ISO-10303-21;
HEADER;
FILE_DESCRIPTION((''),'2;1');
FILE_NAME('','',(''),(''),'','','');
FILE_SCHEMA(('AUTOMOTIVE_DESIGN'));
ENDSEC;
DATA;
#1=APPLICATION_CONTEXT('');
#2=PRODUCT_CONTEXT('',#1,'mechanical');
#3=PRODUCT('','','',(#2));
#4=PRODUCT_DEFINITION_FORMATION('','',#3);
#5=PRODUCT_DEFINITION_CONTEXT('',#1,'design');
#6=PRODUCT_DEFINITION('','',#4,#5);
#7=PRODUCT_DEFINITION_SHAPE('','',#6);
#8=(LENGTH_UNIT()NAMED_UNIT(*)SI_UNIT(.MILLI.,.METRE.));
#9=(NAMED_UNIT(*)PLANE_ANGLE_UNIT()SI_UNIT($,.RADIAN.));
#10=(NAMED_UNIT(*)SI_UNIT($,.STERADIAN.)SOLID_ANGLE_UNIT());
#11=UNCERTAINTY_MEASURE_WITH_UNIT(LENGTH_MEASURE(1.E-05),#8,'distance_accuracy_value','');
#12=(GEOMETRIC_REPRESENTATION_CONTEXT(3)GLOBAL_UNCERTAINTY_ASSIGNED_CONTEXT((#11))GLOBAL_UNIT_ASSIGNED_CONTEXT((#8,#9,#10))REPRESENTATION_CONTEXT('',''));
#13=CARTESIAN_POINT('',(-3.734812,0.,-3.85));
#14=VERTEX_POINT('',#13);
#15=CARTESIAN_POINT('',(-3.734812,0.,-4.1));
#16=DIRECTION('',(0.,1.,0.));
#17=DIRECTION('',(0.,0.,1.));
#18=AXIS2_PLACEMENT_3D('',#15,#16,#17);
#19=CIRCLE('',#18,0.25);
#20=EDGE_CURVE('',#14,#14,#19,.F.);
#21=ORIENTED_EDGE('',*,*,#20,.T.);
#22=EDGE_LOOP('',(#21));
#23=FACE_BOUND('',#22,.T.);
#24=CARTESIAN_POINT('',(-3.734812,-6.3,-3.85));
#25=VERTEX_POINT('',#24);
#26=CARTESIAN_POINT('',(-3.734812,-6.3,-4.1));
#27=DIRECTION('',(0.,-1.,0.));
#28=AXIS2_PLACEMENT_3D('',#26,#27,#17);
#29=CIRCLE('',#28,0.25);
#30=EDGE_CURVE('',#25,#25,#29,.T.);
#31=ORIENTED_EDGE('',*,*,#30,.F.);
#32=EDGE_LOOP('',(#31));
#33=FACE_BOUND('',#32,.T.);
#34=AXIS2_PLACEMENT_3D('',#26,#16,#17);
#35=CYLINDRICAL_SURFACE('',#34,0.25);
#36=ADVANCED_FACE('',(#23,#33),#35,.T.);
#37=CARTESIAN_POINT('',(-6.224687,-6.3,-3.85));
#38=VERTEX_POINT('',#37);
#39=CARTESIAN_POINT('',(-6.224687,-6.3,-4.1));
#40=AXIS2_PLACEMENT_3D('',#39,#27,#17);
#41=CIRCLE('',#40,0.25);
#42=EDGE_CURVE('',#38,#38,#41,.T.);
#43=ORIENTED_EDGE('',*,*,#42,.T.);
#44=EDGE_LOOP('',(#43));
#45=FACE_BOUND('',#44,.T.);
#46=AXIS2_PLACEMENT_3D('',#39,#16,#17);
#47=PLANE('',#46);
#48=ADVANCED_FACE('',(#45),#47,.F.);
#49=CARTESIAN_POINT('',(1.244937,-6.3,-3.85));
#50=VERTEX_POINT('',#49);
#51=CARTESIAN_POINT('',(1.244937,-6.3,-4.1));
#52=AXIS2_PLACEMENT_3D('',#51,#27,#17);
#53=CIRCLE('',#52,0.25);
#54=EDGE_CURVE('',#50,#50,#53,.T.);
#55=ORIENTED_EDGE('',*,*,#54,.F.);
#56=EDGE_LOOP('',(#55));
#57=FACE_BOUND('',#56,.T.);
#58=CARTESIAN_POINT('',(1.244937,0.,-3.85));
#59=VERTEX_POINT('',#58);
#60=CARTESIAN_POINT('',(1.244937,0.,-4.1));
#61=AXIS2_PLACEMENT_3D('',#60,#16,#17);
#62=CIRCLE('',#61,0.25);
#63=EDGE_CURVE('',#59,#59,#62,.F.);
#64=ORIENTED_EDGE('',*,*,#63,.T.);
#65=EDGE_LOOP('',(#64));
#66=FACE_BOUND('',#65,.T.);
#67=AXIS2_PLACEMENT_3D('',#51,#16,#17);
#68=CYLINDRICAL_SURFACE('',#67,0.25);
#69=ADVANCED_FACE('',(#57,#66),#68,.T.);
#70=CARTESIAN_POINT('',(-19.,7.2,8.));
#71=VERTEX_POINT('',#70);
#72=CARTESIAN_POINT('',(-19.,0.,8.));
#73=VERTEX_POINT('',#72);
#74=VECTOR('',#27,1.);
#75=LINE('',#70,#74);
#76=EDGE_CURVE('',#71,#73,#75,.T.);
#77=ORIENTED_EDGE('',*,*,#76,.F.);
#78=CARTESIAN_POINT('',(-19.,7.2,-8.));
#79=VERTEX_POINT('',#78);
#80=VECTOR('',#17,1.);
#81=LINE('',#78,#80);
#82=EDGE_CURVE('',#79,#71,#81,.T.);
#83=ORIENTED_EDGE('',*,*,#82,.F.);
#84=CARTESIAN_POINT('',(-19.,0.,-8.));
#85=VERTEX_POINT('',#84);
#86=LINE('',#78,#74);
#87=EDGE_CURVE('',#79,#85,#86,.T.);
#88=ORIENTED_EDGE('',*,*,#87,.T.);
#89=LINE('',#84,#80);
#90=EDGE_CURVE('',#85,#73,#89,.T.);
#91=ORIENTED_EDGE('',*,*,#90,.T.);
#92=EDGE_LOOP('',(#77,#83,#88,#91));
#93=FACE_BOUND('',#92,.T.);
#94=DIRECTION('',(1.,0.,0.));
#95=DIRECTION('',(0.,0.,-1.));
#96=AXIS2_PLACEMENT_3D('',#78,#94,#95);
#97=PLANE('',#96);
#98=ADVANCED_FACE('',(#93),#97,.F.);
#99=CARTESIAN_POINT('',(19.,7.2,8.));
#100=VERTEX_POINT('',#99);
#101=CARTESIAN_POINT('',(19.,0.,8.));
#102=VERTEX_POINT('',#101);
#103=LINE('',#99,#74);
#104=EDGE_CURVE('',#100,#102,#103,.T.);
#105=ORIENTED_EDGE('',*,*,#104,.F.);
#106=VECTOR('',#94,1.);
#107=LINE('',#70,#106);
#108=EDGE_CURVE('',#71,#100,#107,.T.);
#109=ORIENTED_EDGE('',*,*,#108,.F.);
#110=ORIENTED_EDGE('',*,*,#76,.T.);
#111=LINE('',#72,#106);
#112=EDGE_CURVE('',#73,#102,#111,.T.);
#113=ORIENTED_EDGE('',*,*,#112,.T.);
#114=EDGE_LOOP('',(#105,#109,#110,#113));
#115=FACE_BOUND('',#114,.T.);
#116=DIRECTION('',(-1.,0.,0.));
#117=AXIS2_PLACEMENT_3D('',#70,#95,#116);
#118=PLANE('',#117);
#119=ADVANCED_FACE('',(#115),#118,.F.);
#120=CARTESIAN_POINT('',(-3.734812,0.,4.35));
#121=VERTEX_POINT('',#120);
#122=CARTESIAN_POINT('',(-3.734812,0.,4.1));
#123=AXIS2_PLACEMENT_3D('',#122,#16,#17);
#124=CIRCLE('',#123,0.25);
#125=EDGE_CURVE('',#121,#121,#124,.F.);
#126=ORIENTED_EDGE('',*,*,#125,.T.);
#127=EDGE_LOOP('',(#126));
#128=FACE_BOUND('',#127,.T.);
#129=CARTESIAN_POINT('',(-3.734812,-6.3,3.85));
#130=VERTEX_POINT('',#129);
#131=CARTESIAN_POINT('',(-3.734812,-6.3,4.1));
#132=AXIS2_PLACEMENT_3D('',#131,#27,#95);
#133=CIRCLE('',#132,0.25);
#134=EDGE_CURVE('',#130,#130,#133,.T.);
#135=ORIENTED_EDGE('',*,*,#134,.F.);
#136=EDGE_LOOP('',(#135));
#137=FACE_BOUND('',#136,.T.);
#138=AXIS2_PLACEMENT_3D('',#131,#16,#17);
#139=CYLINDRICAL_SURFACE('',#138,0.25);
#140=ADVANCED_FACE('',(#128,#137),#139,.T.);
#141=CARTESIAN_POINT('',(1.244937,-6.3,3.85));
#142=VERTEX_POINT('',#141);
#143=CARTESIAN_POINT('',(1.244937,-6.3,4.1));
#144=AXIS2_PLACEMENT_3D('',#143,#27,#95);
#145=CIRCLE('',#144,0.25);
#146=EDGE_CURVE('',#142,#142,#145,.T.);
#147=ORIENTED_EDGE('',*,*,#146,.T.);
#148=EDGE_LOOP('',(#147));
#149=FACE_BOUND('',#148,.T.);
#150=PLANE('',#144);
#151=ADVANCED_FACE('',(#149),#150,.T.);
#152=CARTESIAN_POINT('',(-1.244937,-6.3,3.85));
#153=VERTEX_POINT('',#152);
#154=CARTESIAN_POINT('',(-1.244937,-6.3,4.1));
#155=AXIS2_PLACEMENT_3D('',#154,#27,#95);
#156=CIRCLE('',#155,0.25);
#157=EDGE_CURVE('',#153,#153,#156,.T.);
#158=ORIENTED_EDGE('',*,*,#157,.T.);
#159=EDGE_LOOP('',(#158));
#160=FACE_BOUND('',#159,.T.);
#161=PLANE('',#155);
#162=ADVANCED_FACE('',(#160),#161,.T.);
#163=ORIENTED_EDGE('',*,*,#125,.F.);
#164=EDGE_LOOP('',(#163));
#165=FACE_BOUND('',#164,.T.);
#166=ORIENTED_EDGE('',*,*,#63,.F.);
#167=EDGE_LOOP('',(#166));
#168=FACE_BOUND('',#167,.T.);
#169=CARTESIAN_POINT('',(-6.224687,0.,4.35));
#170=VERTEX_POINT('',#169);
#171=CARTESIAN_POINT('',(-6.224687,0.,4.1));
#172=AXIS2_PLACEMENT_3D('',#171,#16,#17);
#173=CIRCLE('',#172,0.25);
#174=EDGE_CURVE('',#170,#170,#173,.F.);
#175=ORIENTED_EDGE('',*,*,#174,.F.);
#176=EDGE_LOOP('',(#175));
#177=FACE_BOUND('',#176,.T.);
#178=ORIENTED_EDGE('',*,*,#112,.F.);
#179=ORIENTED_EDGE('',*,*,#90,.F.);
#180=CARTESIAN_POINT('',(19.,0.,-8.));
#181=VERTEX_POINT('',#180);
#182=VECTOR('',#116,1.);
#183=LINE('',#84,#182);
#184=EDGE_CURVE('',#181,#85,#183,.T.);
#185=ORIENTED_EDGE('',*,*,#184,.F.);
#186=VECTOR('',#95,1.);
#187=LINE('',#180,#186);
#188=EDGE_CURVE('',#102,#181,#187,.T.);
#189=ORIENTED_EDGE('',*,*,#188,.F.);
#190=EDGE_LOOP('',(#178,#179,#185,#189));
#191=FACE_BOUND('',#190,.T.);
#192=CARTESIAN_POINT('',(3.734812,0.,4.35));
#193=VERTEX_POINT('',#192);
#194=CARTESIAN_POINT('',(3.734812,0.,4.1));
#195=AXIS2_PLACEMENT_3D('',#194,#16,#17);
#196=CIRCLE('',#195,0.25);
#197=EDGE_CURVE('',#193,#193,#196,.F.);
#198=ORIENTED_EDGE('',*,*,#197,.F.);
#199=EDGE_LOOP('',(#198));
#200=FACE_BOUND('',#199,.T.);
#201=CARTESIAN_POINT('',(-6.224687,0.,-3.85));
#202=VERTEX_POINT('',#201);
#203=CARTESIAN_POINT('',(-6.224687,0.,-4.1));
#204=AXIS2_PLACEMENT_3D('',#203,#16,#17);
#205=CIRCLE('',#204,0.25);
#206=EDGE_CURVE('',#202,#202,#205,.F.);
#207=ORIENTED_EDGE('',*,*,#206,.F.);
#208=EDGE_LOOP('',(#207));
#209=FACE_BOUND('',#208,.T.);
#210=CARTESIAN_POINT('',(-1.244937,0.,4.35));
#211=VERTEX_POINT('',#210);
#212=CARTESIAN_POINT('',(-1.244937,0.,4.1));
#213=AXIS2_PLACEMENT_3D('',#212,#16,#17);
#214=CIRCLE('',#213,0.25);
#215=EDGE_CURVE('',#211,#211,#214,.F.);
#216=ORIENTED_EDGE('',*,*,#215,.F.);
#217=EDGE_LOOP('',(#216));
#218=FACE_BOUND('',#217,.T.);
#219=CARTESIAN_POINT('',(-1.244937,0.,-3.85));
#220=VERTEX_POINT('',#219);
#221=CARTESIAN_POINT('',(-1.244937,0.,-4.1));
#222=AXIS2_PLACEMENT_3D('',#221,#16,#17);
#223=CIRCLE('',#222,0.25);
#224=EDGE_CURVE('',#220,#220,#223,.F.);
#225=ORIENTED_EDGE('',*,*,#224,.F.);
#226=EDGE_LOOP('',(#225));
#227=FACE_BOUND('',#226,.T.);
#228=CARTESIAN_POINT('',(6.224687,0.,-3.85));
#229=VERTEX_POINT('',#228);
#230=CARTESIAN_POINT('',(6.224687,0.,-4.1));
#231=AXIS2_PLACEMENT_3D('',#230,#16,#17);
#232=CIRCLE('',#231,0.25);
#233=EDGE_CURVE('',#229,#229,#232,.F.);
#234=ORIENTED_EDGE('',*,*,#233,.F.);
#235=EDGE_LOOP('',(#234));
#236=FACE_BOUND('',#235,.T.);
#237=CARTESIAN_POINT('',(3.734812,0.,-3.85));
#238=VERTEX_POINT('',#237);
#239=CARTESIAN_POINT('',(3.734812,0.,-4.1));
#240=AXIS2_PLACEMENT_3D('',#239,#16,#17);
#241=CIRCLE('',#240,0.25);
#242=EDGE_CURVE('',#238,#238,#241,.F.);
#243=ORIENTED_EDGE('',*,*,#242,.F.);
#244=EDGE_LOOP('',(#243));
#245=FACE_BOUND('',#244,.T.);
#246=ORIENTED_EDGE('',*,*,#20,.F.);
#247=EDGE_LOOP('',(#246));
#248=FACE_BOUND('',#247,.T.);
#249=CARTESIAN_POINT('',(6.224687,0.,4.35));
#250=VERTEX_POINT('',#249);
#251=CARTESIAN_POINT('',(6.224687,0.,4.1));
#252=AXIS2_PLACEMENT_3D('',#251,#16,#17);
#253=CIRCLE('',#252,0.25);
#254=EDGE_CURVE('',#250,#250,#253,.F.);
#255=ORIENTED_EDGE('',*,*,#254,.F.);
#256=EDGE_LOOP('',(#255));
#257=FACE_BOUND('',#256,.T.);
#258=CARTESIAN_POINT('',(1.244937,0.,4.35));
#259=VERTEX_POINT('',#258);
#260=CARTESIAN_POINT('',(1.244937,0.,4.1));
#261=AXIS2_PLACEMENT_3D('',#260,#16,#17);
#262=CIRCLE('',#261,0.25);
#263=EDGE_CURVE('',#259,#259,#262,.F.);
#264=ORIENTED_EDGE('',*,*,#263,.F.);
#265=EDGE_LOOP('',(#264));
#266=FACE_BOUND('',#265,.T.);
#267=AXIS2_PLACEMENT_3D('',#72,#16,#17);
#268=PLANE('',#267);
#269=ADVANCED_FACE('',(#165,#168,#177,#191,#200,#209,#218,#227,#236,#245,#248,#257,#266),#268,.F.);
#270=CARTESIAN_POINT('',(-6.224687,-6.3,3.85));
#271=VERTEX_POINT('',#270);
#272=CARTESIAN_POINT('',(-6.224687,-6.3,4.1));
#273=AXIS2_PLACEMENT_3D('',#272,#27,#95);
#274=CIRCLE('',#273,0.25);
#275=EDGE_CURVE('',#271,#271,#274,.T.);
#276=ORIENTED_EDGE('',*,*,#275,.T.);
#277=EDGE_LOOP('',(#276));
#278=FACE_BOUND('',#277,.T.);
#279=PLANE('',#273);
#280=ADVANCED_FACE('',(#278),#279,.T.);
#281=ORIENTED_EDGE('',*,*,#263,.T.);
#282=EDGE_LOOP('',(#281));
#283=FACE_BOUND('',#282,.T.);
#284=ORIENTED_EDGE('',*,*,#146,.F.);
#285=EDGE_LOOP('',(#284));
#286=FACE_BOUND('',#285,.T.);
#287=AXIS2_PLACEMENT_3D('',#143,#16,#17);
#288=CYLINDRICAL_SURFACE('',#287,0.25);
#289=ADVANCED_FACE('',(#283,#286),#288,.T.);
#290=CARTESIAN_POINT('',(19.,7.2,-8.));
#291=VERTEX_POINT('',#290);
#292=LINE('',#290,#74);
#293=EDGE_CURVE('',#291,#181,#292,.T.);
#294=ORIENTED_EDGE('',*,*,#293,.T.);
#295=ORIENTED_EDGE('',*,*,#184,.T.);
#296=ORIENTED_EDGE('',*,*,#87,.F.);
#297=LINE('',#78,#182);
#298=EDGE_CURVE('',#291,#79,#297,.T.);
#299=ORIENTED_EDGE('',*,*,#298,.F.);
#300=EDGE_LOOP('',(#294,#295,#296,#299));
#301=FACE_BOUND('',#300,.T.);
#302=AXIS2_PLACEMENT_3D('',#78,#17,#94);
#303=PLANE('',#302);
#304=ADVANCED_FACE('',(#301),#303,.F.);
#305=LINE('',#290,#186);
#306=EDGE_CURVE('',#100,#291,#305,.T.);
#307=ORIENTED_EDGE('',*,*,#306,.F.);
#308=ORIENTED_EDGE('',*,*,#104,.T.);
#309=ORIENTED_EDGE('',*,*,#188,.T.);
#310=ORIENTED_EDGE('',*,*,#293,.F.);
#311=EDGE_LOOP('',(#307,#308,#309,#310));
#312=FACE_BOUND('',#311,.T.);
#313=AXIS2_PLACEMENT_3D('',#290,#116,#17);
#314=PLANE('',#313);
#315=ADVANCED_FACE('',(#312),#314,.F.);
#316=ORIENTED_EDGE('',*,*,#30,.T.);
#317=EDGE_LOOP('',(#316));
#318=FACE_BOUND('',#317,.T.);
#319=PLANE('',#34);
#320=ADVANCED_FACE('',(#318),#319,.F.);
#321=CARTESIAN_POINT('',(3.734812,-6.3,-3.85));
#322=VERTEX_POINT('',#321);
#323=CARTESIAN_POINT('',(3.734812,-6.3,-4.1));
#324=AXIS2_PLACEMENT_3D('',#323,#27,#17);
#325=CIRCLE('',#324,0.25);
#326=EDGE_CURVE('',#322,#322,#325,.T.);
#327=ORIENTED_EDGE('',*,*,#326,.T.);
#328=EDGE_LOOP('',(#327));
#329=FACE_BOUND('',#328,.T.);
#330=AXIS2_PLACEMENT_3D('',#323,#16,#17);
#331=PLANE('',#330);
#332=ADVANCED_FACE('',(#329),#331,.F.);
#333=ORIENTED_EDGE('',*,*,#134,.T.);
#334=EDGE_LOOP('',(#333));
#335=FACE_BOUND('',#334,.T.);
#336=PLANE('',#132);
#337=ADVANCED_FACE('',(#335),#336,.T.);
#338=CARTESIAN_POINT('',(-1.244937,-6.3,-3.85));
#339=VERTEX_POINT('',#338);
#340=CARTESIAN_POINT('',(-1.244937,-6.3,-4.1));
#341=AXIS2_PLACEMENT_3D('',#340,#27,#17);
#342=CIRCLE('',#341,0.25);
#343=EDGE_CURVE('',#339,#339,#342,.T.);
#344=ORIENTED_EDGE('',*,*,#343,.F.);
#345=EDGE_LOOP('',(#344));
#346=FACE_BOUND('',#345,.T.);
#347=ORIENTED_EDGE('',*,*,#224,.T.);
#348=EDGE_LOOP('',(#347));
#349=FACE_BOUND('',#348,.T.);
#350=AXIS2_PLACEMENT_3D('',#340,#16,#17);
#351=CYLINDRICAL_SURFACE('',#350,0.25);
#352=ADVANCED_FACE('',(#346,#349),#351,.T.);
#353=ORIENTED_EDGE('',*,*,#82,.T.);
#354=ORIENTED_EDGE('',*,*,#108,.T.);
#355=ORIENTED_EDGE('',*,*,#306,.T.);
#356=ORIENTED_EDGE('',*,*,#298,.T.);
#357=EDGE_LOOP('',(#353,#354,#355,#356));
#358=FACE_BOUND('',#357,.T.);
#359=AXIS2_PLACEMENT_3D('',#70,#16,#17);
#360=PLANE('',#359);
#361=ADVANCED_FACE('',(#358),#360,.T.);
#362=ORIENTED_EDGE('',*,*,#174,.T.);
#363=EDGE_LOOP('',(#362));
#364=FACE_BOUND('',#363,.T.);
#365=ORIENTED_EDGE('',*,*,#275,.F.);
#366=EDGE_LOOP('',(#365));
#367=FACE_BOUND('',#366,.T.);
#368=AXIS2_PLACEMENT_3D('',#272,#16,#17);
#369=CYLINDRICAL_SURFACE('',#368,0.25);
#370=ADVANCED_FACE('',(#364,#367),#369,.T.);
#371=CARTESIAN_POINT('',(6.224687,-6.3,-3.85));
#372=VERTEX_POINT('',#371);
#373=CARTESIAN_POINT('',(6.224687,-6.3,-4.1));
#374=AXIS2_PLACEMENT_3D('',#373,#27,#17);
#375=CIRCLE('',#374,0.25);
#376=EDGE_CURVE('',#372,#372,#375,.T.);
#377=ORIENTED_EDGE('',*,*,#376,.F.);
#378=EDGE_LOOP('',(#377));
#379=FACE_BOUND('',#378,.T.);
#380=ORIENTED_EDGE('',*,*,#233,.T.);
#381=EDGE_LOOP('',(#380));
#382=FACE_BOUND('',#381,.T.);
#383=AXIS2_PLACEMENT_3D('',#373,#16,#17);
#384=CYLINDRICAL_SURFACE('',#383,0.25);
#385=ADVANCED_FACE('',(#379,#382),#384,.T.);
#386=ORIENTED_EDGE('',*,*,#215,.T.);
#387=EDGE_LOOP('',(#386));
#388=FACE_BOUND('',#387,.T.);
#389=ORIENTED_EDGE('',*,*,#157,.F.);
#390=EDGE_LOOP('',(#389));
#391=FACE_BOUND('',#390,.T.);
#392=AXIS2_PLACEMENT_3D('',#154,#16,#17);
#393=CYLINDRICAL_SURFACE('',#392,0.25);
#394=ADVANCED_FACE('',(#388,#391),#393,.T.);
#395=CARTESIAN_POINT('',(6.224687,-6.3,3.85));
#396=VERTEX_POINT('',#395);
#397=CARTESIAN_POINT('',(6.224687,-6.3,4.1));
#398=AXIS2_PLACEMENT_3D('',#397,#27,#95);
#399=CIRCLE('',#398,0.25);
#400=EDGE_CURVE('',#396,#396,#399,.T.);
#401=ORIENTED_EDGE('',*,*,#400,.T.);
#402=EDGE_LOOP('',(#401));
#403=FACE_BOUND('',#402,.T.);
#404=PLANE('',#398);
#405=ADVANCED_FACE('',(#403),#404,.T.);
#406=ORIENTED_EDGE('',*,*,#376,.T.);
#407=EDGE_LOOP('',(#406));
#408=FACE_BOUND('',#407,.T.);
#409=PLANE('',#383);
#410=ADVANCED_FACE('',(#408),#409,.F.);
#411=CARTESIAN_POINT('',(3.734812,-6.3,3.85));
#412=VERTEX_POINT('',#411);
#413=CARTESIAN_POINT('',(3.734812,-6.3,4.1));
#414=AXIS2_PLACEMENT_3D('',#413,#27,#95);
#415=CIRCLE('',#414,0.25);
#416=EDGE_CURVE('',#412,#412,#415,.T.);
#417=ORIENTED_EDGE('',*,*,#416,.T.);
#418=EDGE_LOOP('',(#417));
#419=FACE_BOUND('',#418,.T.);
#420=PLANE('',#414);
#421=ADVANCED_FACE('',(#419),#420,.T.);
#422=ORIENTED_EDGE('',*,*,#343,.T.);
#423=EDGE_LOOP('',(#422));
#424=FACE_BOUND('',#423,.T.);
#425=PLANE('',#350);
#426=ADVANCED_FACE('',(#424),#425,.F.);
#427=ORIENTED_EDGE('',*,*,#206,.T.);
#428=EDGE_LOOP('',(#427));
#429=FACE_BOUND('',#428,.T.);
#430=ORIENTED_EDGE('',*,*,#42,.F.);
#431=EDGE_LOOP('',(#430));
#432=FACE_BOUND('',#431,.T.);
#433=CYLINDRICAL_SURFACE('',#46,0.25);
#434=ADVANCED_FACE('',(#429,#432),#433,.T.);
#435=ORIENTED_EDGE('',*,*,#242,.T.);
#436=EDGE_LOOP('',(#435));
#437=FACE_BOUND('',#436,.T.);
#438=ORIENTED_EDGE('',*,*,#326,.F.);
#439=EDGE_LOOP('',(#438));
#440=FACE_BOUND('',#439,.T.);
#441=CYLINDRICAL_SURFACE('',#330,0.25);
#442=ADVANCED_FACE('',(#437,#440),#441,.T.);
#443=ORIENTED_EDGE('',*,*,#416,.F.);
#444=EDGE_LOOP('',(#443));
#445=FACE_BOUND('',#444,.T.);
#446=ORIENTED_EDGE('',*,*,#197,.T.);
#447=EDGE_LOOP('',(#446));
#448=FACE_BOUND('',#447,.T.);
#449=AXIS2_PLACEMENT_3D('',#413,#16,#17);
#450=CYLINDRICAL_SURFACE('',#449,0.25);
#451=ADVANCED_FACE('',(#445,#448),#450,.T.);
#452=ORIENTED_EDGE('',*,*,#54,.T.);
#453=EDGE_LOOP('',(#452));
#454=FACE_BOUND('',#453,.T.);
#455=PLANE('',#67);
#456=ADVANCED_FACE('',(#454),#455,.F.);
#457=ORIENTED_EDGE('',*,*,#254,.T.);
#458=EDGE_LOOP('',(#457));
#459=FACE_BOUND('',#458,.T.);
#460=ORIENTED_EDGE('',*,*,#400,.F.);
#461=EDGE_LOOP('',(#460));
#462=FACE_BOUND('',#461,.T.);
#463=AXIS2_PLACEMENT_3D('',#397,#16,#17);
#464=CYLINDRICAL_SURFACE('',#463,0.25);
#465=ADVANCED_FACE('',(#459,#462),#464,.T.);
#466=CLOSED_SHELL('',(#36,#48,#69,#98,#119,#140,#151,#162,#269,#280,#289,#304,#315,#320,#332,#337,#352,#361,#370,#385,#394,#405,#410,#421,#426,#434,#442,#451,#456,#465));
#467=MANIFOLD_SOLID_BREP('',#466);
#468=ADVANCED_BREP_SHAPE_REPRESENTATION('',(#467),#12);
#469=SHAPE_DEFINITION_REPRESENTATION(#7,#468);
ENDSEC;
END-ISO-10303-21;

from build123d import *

# Parameters (mm, degrees)
SKETCH_1_W      = 38
SKETCH_1_H      = 16
EXTRUDE_1_DEPTH = 7.2
SKETCH_2_R      = 0.25
EXTRUDE_2_DEPTH = 6.3


with BuildPart() as part:
    # 草图1 → 拉伸1 (new body)
    with BuildSketch(Plane(origin=(0, 0, 0), x_dir=(1, 0, 0), z_dir=(0, 1, 0))):
        Rectangle(SKETCH_1_W, SKETCH_1_H)
    extrude(amount=EXTRUDE_1_DEPTH)

    # 草图2 → 拉伸2 (add)
    with BuildSketch(Plane.XZ):
        with Locations(Location((6.224686657, 4.1, 0), (0, 0, 90))):
            Circle(SKETCH_2_R)
        with Locations(Location((3.734811994, 4.1, 0), (0, 0, 90))):
            Circle(SKETCH_2_R)
        with Locations(Location((1.244937331, 4.1, 0), (0, 0, 90))):
            Circle(SKETCH_2_R)
        with Locations(Location((-1.244937331, 4.1, 0), (0, 0, 90))):
            Circle(SKETCH_2_R)
        with Locations(Location((-3.734811994, 4.1, 0), (0, 0, 90))):
            Circle(SKETCH_2_R)
        with Locations(Location((-6.224686657, 4.1, 0), (0, 0, 90))):
            Circle(SKETCH_2_R)
        with Locations(Location((-6.224686657, -4.1, 0), (0, 0, 90))):
            Circle(SKETCH_2_R)
        with Locations(Location((-3.734811994, -4.1, 0), (0, 0, 90))):
            Circle(SKETCH_2_R)
        with Locations(Location((-1.244937331, -4.1, 0), (0, 0, 90))):
            Circle(SKETCH_2_R)
        with Locations(Location((1.244937331, -4.1, 0), (0, 0, 90))):
            Circle(SKETCH_2_R)
        with Locations(Location((3.734811994, -4.1, 0), (0, 0, 90))):
            Circle(SKETCH_2_R)
        with Locations(Location((6.224686657, -4.1, 0), (0, 0, 90))):
            Circle(SKETCH_2_R)
    extrude(amount=EXTRUDE_2_DEPTH)


solid = part.part
